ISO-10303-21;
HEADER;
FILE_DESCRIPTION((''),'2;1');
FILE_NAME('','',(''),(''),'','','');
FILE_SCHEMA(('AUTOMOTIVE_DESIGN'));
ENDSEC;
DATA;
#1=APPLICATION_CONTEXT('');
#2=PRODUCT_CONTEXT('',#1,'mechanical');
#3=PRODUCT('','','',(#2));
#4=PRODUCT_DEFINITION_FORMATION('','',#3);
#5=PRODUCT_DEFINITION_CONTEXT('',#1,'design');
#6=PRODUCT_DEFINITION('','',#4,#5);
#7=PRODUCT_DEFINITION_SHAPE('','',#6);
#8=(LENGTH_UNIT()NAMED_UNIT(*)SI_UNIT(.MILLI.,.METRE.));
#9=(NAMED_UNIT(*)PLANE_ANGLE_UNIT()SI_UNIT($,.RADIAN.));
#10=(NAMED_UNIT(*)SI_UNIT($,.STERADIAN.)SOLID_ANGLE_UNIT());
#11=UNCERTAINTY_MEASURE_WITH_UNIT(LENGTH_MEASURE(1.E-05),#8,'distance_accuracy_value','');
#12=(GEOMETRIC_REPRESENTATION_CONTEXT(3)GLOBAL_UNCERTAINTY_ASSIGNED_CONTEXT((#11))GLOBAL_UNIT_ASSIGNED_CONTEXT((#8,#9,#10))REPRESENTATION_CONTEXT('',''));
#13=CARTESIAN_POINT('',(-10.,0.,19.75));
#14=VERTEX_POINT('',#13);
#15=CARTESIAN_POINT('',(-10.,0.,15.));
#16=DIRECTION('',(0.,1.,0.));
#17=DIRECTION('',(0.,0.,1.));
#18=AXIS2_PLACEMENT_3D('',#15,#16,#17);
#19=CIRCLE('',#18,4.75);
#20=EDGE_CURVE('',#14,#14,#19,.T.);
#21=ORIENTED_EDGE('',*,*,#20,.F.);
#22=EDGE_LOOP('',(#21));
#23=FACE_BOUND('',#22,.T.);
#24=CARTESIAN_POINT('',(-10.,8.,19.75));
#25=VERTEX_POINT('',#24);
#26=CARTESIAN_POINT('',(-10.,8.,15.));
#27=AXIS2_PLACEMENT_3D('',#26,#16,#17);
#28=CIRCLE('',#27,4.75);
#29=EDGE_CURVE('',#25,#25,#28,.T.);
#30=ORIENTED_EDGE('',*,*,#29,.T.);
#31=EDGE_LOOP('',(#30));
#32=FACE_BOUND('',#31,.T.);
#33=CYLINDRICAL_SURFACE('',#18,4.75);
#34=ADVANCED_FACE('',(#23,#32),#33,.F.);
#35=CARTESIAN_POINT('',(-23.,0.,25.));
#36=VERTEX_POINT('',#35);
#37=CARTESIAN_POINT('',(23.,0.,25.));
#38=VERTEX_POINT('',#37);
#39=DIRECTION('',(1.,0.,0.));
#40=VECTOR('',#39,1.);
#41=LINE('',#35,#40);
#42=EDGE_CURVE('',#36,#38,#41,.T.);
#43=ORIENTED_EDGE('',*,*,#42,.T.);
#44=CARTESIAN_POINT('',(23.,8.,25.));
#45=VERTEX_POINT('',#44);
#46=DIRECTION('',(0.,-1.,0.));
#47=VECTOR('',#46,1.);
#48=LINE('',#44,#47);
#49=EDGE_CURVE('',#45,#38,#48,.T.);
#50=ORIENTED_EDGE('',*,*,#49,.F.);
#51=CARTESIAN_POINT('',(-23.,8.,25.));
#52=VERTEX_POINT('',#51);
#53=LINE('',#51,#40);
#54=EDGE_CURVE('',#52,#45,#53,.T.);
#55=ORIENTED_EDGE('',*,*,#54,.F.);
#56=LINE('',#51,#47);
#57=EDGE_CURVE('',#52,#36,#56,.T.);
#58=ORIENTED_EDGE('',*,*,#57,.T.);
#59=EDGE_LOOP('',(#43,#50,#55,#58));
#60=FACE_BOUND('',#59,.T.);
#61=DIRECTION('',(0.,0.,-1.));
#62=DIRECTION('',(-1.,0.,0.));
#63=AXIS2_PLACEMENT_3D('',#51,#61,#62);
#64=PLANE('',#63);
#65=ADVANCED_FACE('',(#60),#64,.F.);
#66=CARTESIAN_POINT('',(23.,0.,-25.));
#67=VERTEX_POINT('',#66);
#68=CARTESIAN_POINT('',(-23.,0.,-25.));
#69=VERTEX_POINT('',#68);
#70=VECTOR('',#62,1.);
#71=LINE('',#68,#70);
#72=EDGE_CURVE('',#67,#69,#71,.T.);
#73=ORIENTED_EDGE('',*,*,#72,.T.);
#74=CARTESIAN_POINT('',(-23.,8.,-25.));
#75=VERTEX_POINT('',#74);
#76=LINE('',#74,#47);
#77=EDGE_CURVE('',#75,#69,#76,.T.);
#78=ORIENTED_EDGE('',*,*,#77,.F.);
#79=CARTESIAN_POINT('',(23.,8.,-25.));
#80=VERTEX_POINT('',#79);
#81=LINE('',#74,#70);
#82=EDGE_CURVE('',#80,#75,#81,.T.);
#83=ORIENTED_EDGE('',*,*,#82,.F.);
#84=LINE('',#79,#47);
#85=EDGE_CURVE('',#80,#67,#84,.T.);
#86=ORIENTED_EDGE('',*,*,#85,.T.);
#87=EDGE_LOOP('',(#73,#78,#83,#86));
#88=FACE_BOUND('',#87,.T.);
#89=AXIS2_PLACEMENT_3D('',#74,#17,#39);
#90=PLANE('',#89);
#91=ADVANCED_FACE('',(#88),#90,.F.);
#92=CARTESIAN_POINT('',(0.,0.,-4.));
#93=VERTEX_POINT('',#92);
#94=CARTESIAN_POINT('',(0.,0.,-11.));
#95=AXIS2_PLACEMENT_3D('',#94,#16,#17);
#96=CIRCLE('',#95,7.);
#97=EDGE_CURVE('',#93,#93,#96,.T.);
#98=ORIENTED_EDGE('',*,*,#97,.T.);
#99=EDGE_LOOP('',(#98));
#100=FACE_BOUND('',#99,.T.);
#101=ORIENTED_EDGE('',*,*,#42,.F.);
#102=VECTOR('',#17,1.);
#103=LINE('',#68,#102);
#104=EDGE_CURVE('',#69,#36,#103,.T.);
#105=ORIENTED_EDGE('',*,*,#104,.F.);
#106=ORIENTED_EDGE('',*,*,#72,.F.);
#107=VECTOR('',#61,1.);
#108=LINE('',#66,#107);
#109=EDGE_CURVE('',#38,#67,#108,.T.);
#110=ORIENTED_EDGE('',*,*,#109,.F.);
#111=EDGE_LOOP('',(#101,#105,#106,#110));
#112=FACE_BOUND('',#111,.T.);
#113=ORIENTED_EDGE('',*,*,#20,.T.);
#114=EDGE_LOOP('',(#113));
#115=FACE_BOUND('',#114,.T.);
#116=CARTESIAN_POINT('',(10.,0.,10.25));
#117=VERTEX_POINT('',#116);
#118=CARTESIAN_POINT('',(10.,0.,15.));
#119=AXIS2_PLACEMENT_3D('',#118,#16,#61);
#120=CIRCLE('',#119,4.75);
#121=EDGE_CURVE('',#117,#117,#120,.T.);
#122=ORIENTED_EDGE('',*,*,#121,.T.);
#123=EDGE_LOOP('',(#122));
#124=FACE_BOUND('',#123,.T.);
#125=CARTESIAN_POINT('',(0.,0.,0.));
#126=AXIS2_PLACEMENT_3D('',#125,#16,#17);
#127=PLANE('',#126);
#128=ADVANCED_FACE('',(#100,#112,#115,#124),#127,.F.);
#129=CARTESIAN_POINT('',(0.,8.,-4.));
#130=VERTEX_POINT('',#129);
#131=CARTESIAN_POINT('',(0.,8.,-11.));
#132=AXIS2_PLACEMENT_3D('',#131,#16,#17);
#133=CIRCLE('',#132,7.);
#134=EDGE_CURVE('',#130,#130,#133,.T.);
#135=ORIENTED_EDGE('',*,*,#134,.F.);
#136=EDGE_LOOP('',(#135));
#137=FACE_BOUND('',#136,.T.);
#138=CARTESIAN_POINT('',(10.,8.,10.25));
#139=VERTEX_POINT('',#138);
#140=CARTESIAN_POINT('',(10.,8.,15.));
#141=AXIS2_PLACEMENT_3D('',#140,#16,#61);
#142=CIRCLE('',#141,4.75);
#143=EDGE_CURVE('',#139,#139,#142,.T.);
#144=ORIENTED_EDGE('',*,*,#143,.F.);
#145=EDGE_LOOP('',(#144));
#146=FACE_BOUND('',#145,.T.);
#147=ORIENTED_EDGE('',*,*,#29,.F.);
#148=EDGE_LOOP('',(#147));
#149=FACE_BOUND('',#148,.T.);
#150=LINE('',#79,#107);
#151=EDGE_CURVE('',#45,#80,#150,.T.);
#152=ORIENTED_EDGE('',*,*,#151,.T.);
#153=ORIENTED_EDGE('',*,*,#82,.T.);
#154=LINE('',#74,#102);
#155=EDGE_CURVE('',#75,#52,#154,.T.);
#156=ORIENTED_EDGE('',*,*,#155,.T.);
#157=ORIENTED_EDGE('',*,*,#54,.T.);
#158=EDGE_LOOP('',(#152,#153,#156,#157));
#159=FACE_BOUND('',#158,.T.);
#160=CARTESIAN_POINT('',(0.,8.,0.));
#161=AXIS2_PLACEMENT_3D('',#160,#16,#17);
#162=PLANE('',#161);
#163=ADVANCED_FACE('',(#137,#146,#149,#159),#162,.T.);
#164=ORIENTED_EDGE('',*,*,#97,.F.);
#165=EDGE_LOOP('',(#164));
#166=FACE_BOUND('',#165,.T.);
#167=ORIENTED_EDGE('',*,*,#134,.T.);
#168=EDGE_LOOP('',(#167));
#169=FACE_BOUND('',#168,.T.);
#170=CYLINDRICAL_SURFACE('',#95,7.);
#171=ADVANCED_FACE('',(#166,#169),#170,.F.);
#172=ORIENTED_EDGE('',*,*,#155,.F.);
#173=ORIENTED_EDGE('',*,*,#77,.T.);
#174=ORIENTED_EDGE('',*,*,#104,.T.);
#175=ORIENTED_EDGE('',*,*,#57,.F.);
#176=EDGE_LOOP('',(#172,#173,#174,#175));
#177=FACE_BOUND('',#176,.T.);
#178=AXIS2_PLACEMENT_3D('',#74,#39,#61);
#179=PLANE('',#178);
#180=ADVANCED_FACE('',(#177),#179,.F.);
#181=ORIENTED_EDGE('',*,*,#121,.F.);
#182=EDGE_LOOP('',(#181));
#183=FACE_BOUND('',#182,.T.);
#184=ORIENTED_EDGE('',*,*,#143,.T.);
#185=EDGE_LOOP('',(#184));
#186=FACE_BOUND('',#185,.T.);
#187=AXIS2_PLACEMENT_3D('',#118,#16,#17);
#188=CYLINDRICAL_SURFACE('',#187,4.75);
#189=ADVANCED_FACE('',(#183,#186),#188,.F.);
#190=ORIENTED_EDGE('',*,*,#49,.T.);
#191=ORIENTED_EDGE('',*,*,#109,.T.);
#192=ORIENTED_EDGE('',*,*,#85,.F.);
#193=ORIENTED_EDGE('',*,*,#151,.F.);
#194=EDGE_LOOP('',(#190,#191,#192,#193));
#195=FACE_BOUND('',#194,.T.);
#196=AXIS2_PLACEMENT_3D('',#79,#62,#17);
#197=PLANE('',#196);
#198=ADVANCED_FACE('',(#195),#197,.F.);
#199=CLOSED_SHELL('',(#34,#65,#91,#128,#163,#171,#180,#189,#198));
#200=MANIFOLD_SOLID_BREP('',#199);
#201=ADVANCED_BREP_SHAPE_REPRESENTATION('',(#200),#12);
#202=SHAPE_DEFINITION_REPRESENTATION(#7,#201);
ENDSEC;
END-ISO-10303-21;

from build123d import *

# Parameters (mm, degrees)
SKETCH_1_W          = 46
SKETCH_1_H          = 50
EXTRUDE_1_DEPTH     = 8
SKETCH_2_R          = 7
SKETCH_2_R_2        = 4.75
CUT_EXTRUDE_1_DEPTH = 8


with BuildPart() as part:
    # 草图1 → 凸台-拉伸1 (new body)
    with BuildSketch(Plane(origin=(0, 0, 0), x_dir=(1, 0, 0), z_dir=(0, 1, 0))):
        Rectangle(SKETCH_1_W, SKETCH_1_H)
    extrude(amount=EXTRUDE_1_DEPTH)

    # 草图2 → 切除-拉伸1 (cut)
    with BuildSketch(Plane(origin=(0, 8, 0), x_dir=(1, 0, 0), z_dir=(0, 1, 0))):
        with Locations((0, 11)):
            Circle(SKETCH_2_R)
        with Locations((-10, -15)):
            Circle(SKETCH_2_R_2)
        with Locations((10, -15)):
            Circle(SKETCH_2_R_2)
    extrude(amount=-CUT_EXTRUDE_1_DEPTH, mode=Mode.SUBTRACT)


solid = part.part
